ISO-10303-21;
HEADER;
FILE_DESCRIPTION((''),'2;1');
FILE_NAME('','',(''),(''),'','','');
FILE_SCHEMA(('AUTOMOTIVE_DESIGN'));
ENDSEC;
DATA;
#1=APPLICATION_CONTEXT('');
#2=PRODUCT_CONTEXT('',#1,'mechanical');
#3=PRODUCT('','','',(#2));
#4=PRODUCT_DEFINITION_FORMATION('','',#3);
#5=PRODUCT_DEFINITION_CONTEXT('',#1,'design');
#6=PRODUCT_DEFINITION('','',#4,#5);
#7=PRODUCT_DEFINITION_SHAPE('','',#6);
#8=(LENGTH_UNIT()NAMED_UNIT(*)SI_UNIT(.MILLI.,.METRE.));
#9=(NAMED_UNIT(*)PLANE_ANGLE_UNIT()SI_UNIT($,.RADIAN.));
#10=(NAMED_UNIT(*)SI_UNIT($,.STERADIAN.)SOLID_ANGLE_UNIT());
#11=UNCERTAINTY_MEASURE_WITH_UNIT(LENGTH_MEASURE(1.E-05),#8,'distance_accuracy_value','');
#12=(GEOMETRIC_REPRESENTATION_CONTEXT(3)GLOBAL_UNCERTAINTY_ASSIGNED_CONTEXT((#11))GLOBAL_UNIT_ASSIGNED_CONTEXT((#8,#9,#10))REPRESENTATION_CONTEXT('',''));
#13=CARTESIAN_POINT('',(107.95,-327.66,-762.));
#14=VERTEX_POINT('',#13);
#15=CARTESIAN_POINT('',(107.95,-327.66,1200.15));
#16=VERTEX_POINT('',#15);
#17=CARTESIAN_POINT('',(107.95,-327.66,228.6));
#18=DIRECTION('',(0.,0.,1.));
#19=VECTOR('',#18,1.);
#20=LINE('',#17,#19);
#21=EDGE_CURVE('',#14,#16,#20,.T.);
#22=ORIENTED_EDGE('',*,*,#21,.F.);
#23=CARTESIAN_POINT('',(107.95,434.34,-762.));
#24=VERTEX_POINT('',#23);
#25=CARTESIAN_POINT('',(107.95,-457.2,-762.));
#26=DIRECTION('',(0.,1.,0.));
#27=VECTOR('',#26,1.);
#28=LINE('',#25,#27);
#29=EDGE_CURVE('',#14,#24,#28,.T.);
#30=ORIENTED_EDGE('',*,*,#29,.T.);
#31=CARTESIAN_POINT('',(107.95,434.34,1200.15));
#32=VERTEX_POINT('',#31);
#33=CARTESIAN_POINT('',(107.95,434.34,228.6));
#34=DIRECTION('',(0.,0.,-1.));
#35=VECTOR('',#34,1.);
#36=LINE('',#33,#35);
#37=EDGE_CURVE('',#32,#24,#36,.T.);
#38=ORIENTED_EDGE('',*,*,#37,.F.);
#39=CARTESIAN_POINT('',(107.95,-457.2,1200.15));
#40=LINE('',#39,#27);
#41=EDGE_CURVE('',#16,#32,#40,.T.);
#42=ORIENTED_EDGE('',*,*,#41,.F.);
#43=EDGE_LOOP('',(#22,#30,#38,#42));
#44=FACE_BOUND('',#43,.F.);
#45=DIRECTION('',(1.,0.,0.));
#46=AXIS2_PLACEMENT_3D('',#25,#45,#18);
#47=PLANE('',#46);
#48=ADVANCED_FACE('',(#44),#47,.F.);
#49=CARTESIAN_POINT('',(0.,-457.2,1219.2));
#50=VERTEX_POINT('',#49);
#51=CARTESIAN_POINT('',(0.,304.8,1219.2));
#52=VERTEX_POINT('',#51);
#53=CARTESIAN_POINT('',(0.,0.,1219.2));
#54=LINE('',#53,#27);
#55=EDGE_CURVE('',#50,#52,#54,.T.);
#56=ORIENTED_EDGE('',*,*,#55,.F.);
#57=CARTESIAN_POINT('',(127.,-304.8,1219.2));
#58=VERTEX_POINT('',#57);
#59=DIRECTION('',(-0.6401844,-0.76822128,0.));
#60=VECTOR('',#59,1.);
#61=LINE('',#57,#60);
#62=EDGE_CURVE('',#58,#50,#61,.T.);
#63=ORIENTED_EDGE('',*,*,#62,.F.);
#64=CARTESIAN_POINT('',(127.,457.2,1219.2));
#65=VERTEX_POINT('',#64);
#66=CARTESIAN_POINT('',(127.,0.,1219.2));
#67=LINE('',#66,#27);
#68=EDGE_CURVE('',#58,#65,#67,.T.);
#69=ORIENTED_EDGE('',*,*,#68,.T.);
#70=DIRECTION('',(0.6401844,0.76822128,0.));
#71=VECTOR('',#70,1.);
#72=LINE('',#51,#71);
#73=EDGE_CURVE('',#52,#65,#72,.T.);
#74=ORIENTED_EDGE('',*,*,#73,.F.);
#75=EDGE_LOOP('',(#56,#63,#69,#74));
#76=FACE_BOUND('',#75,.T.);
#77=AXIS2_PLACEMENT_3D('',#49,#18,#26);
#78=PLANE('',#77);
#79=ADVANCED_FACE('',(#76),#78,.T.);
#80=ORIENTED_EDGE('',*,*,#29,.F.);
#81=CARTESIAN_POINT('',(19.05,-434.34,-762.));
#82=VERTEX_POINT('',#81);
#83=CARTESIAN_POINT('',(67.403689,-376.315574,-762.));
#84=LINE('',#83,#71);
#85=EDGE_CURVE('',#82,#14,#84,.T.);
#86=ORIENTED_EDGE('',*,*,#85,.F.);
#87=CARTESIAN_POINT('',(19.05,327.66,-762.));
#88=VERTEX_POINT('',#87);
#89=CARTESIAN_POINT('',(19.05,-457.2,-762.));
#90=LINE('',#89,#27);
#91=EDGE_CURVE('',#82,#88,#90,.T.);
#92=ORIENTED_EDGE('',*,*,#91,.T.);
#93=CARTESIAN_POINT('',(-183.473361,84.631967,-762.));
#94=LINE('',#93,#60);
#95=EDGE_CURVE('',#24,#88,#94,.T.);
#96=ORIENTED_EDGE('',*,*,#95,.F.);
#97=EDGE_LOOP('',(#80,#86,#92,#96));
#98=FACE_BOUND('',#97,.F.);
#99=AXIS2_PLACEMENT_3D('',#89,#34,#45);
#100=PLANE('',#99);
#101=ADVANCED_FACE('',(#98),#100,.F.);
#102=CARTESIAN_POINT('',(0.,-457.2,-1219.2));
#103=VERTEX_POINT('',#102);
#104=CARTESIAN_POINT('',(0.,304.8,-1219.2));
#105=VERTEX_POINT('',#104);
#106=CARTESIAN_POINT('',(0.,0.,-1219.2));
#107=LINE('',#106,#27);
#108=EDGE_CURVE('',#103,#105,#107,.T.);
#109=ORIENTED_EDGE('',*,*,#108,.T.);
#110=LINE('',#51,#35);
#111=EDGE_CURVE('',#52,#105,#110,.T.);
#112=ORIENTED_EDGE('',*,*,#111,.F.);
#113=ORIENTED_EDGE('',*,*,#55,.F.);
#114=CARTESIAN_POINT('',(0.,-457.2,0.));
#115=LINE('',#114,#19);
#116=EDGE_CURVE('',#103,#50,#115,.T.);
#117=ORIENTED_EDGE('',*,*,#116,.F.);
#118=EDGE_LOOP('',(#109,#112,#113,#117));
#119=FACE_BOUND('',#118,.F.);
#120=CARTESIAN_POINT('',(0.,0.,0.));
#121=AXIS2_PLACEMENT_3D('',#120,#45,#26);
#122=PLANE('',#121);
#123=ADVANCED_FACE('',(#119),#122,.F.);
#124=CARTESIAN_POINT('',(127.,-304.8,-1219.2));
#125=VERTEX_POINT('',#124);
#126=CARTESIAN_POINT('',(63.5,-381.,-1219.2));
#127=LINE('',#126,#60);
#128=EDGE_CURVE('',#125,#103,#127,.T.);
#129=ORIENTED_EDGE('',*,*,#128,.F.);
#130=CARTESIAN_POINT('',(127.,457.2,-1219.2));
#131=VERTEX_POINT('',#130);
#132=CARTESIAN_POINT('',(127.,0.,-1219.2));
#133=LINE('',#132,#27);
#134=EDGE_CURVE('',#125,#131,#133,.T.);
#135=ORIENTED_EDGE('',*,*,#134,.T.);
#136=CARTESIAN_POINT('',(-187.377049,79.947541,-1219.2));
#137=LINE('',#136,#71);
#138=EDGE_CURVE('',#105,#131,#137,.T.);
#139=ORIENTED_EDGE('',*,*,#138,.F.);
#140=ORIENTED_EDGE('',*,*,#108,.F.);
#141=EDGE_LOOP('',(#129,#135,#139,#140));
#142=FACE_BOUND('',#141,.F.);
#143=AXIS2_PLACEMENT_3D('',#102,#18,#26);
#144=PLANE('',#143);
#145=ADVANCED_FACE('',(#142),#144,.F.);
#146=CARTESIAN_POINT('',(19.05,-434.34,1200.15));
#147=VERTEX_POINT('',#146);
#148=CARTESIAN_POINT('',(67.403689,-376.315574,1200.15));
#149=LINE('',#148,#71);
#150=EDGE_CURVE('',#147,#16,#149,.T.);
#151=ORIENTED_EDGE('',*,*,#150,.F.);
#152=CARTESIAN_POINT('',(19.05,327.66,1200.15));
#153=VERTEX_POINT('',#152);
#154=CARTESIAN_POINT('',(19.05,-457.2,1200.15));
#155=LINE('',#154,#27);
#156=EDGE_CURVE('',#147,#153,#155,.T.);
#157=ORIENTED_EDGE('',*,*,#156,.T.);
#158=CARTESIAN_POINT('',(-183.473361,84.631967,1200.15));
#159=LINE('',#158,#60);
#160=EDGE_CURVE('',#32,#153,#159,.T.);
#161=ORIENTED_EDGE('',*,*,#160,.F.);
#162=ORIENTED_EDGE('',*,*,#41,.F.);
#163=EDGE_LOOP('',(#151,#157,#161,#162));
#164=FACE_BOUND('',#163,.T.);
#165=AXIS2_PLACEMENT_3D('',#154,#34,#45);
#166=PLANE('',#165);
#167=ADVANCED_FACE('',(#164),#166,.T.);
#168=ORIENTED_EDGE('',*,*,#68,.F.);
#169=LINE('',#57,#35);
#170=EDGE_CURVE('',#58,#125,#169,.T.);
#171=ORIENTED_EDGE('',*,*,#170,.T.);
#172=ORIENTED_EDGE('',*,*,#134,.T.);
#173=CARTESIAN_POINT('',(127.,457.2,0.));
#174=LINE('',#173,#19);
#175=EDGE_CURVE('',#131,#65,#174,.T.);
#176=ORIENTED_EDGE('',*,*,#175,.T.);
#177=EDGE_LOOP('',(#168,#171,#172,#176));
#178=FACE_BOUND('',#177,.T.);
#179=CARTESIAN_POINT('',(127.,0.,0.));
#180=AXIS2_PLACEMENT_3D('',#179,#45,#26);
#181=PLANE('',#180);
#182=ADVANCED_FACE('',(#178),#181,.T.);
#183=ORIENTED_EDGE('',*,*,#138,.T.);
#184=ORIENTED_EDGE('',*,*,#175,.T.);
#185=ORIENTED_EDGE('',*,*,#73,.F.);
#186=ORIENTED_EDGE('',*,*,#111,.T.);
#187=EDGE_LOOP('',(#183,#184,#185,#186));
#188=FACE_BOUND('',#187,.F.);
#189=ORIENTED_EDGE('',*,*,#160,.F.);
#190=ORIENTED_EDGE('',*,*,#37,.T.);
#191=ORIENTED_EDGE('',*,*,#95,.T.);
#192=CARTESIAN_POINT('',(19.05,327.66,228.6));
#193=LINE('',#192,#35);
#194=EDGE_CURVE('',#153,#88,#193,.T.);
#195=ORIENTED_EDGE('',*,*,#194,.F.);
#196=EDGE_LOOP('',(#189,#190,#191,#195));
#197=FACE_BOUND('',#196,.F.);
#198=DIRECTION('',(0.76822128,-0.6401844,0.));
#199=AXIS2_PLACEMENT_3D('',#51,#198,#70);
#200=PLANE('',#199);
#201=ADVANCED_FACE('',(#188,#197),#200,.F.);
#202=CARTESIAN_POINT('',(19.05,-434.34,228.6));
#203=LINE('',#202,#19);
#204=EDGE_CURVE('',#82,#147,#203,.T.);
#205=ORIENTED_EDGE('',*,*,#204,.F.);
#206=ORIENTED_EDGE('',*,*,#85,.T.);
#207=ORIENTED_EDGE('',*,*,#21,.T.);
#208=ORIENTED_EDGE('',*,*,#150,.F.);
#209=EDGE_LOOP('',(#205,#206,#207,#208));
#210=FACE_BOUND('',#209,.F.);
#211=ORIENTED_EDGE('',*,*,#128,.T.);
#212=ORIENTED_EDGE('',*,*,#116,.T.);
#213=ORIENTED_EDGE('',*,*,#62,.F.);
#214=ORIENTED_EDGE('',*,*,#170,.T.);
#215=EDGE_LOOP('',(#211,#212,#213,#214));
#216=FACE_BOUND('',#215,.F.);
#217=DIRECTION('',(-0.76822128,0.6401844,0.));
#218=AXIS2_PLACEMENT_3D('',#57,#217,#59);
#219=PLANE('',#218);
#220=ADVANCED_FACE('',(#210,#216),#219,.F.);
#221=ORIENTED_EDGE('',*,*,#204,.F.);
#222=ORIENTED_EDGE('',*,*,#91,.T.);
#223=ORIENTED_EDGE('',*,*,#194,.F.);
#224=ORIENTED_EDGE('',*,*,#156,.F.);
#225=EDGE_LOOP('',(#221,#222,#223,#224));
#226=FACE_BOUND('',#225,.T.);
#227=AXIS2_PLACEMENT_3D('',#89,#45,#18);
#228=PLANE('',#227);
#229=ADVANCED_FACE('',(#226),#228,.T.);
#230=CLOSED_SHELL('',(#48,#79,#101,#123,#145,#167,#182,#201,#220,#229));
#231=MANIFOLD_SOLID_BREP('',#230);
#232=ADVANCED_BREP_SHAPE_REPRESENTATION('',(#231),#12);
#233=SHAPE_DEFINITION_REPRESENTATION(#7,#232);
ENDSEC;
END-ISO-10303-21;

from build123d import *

# Parameters (mm, degrees)
F0_W     = 914.4
F0_H     = 2438.4
F1_DEPTH = 127
F2_W     = 88.9
F2_H     = 1962.15
F3_DEPTH = 914.4
F5_DEPTH = 2438.401


with BuildPart() as f1:
    # F0 (on Right) → F1 (new body)
    with BuildSketch(Plane.YZ):
        Rectangle(F0_W, F0_H)
    extrude(amount=F1_DEPTH)

    # F2 (on face) → F3 (cut, through all)
    with BuildSketch(Plane.XZ.offset(457.2)):
        with Locations((63.5, 219.075)):
            Rectangle(F2_W, F2_H)
    extrude(amount=-F3_DEPTH, mode=Mode.SUBTRACT)

    # F4 (on face) → F5 (cut, through all)
    with BuildSketch(Plane.XY.offset(1219.2)):
        Polygon((0, 304.8), (127, 457.2), (0, 457.2), align=None)
        Polygon((127, -457.2), (127, -304.8), (0, -457.2), align=None)
    extrude(amount=-F5_DEPTH, mode=Mode.SUBTRACT)


solid = f1.part
